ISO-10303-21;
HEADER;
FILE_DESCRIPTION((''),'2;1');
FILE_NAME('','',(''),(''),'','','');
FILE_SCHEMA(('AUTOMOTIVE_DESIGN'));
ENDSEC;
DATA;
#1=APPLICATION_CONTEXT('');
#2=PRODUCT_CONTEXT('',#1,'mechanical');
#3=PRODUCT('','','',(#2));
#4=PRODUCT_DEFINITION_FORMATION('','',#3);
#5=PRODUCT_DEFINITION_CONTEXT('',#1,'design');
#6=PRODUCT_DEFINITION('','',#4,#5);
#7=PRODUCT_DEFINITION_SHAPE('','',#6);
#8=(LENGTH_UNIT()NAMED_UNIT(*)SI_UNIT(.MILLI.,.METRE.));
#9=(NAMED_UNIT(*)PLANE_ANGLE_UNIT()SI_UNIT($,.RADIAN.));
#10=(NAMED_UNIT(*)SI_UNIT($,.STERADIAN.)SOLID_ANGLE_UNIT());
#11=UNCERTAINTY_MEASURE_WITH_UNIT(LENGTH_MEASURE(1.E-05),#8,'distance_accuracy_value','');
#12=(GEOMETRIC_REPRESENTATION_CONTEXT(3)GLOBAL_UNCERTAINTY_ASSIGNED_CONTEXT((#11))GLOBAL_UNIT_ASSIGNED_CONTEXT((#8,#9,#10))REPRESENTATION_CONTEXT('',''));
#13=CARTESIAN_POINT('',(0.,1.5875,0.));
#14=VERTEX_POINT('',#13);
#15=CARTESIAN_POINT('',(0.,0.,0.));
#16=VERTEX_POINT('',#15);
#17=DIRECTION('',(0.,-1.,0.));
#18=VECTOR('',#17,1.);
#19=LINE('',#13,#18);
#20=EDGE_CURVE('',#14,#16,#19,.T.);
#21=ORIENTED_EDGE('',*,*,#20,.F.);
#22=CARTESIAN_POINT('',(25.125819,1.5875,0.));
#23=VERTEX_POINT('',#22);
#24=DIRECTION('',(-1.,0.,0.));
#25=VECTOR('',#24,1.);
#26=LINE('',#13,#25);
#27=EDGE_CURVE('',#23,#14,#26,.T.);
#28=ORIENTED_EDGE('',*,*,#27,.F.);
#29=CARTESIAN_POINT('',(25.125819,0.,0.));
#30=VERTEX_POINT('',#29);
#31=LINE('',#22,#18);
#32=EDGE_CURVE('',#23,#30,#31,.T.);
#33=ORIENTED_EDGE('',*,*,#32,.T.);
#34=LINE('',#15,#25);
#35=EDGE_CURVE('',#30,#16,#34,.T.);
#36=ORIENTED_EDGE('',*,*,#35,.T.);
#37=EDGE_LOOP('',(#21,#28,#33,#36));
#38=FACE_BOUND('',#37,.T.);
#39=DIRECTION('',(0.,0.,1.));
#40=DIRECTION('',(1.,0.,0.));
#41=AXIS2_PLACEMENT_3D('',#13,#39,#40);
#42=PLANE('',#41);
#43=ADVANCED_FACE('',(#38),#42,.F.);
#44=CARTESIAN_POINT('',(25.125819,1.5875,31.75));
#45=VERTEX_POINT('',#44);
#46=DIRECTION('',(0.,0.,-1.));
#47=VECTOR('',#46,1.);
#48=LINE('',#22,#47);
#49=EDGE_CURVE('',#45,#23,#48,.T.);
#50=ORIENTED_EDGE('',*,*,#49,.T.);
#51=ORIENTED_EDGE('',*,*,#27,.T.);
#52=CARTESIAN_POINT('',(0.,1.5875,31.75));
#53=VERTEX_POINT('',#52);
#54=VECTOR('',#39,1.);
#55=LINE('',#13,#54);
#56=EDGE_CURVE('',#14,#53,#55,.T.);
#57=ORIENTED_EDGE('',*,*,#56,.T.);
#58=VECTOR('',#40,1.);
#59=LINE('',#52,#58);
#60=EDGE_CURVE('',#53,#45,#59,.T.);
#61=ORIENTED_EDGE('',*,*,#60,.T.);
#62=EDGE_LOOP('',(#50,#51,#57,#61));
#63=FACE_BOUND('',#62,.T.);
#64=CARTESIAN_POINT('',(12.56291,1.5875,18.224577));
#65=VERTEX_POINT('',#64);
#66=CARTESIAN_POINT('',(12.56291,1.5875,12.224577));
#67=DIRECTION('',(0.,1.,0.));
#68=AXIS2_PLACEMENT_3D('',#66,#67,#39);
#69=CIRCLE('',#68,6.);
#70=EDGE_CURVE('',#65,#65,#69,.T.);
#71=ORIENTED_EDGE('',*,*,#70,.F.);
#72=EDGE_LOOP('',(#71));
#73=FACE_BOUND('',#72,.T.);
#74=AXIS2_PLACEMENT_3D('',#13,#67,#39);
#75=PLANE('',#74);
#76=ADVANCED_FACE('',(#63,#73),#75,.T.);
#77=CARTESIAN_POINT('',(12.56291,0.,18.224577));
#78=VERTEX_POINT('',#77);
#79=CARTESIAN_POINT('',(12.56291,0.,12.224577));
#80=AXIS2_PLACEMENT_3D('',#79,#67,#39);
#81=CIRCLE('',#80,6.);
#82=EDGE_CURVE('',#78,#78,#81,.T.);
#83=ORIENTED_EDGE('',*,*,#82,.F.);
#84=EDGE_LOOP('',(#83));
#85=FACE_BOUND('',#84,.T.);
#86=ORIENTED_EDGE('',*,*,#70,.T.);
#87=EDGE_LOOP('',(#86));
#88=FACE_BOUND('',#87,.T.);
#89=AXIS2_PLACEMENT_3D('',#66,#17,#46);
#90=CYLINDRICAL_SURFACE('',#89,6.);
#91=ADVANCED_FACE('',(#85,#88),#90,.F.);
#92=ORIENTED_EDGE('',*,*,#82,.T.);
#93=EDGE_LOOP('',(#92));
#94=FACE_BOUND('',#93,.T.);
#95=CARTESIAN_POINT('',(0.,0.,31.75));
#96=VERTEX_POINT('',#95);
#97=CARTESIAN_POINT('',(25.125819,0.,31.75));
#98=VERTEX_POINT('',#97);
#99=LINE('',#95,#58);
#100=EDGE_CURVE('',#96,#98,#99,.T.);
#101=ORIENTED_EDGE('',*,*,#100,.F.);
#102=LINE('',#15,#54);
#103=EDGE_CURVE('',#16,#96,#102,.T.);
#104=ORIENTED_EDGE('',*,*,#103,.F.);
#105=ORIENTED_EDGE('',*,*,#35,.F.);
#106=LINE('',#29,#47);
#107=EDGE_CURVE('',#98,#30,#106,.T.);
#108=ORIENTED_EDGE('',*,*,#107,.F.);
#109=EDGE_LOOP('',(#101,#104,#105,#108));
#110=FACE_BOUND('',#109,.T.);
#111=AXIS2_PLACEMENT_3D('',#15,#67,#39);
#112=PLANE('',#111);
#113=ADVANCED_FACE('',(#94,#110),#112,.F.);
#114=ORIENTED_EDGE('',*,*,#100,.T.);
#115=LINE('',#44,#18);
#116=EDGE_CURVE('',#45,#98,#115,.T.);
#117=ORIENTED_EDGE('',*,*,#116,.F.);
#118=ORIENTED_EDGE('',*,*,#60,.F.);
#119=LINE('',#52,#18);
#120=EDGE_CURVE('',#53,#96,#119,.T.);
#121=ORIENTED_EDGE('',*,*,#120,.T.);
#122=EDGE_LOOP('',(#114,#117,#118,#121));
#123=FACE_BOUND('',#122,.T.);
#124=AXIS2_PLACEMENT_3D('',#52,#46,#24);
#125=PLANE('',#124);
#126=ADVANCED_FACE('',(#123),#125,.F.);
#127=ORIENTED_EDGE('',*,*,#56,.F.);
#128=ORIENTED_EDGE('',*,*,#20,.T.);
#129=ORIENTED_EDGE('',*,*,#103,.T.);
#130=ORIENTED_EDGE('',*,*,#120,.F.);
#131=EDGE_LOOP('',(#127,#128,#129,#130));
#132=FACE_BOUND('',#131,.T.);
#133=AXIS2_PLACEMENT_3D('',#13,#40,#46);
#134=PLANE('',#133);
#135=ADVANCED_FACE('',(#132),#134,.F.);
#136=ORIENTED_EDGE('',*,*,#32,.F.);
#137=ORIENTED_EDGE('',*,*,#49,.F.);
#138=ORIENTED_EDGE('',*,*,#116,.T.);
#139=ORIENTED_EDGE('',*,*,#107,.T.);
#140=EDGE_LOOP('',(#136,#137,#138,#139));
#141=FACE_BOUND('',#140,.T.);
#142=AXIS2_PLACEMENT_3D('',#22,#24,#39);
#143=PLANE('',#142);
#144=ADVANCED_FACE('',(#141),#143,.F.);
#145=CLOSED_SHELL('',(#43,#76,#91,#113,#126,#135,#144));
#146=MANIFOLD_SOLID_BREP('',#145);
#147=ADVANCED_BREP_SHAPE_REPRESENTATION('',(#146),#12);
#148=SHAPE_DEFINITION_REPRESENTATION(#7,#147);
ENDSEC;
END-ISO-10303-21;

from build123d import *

# Parameters (mm, degrees)
SKETCH1_W           = 25.125819039
SKETCH1_H           = 31.75
SKETCH1_R           = 6
BOSS_EXTRUDE1_DEPTH = 1.5875


with BuildPart() as part:
    # Sketch1 → Boss-Extrude1 (new body)
    with BuildSketch(Plane(origin=(0, 0, 0), x_dir=(1, 0, 0), z_dir=(0, 1, 0))):
        with Locations((12.56290952, -15.875)):
            Rectangle(SKETCH1_W, SKETCH1_H)
        with Locations(Location((12.56290952, -12.224576831, 0), (0, 0, 270))):
            Circle(SKETCH1_R, mode=Mode.SUBTRACT)
    extrude(amount=BOSS_EXTRUDE1_DEPTH)


solid = part.part
